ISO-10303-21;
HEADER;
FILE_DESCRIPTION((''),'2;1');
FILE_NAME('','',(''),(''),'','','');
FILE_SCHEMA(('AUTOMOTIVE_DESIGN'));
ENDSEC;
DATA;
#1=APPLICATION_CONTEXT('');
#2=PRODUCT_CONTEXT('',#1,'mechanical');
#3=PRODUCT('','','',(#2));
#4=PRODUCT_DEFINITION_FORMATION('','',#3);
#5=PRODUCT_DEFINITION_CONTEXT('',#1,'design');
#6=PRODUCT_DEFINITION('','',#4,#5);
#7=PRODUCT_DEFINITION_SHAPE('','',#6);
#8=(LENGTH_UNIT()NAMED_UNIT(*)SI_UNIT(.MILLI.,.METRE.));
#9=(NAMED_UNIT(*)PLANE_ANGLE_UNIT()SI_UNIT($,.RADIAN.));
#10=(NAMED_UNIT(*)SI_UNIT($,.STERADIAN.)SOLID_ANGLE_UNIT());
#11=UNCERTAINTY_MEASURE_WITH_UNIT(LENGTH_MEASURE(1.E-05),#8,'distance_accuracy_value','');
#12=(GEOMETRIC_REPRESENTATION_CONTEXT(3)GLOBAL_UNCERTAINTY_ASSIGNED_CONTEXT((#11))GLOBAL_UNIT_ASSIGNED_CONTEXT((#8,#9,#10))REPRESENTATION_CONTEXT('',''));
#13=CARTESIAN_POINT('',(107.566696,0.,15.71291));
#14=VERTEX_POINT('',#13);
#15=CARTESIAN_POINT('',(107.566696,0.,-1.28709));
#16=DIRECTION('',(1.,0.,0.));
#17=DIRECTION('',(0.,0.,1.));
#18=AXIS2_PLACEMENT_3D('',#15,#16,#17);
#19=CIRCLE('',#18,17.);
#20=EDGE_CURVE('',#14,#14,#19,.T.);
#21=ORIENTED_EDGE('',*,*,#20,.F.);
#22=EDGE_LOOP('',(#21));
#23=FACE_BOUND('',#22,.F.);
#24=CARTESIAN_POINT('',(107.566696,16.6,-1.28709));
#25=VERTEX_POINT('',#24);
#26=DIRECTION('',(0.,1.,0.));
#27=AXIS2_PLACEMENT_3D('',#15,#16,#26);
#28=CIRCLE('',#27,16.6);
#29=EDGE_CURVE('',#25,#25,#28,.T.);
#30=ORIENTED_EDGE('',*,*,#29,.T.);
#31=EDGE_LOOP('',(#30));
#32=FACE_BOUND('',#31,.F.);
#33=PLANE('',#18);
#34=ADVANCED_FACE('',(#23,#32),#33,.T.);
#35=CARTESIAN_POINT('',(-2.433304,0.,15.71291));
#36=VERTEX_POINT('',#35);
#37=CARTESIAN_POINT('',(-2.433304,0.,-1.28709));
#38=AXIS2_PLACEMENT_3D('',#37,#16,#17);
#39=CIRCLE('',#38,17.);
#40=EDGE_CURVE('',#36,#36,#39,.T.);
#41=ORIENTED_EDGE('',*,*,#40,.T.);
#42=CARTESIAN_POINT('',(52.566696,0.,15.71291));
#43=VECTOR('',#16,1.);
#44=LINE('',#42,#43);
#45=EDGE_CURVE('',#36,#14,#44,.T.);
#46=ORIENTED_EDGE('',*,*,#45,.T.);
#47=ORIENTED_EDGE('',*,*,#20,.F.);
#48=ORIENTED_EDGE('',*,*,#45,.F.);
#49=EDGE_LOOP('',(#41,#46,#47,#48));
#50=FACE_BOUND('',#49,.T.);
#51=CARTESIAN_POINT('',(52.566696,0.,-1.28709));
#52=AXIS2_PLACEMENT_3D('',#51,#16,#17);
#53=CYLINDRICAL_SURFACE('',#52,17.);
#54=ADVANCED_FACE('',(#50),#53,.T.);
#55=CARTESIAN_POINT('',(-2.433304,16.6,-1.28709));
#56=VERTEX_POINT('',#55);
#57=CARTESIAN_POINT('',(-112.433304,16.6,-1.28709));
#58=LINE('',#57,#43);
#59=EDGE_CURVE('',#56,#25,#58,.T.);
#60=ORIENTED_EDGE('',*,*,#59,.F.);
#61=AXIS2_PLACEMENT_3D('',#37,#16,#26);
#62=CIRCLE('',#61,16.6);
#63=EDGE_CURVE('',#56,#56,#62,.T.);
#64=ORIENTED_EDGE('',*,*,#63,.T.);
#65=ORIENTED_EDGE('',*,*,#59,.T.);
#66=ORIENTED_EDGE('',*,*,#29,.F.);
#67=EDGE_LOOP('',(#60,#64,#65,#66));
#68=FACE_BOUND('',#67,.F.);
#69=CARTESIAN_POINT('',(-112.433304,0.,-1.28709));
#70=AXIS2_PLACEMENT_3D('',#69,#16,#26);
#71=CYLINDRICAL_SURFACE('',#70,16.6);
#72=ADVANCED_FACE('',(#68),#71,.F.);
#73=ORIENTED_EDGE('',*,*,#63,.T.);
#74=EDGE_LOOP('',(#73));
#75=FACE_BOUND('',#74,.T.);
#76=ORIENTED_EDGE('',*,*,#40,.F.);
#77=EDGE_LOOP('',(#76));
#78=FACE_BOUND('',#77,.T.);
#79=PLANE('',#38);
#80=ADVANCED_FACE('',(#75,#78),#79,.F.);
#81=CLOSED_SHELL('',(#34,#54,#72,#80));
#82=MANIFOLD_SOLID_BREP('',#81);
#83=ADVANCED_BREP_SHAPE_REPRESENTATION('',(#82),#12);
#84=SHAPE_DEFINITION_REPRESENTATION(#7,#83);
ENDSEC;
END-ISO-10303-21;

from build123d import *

# Parameters (mm, degrees)
F0_W     = 110
F0_H     = 17
F3_D     = 33.2
F3_DEPTH = 110


with BuildPart() as f1:
    # F0 (on Front) → F1 (revolve)
    with BuildSketch(Plane.XZ):
        with Locations((52.566696, 7.21291)):
            Rectangle(F0_W, F0_H)
    revolve(axis=Axis((52.566696, 0, -1.28709), (1, 0, 0)))

    # F3
    with Locations(Plane(origin=(-2.433304, 0, 0), x_dir=(0, -1, 0), z_dir=(-1, 0, 0))):
        with Locations((0, -1.28709)):
            Hole(F3_D / 2, depth=F3_DEPTH)


solid = f1.part
